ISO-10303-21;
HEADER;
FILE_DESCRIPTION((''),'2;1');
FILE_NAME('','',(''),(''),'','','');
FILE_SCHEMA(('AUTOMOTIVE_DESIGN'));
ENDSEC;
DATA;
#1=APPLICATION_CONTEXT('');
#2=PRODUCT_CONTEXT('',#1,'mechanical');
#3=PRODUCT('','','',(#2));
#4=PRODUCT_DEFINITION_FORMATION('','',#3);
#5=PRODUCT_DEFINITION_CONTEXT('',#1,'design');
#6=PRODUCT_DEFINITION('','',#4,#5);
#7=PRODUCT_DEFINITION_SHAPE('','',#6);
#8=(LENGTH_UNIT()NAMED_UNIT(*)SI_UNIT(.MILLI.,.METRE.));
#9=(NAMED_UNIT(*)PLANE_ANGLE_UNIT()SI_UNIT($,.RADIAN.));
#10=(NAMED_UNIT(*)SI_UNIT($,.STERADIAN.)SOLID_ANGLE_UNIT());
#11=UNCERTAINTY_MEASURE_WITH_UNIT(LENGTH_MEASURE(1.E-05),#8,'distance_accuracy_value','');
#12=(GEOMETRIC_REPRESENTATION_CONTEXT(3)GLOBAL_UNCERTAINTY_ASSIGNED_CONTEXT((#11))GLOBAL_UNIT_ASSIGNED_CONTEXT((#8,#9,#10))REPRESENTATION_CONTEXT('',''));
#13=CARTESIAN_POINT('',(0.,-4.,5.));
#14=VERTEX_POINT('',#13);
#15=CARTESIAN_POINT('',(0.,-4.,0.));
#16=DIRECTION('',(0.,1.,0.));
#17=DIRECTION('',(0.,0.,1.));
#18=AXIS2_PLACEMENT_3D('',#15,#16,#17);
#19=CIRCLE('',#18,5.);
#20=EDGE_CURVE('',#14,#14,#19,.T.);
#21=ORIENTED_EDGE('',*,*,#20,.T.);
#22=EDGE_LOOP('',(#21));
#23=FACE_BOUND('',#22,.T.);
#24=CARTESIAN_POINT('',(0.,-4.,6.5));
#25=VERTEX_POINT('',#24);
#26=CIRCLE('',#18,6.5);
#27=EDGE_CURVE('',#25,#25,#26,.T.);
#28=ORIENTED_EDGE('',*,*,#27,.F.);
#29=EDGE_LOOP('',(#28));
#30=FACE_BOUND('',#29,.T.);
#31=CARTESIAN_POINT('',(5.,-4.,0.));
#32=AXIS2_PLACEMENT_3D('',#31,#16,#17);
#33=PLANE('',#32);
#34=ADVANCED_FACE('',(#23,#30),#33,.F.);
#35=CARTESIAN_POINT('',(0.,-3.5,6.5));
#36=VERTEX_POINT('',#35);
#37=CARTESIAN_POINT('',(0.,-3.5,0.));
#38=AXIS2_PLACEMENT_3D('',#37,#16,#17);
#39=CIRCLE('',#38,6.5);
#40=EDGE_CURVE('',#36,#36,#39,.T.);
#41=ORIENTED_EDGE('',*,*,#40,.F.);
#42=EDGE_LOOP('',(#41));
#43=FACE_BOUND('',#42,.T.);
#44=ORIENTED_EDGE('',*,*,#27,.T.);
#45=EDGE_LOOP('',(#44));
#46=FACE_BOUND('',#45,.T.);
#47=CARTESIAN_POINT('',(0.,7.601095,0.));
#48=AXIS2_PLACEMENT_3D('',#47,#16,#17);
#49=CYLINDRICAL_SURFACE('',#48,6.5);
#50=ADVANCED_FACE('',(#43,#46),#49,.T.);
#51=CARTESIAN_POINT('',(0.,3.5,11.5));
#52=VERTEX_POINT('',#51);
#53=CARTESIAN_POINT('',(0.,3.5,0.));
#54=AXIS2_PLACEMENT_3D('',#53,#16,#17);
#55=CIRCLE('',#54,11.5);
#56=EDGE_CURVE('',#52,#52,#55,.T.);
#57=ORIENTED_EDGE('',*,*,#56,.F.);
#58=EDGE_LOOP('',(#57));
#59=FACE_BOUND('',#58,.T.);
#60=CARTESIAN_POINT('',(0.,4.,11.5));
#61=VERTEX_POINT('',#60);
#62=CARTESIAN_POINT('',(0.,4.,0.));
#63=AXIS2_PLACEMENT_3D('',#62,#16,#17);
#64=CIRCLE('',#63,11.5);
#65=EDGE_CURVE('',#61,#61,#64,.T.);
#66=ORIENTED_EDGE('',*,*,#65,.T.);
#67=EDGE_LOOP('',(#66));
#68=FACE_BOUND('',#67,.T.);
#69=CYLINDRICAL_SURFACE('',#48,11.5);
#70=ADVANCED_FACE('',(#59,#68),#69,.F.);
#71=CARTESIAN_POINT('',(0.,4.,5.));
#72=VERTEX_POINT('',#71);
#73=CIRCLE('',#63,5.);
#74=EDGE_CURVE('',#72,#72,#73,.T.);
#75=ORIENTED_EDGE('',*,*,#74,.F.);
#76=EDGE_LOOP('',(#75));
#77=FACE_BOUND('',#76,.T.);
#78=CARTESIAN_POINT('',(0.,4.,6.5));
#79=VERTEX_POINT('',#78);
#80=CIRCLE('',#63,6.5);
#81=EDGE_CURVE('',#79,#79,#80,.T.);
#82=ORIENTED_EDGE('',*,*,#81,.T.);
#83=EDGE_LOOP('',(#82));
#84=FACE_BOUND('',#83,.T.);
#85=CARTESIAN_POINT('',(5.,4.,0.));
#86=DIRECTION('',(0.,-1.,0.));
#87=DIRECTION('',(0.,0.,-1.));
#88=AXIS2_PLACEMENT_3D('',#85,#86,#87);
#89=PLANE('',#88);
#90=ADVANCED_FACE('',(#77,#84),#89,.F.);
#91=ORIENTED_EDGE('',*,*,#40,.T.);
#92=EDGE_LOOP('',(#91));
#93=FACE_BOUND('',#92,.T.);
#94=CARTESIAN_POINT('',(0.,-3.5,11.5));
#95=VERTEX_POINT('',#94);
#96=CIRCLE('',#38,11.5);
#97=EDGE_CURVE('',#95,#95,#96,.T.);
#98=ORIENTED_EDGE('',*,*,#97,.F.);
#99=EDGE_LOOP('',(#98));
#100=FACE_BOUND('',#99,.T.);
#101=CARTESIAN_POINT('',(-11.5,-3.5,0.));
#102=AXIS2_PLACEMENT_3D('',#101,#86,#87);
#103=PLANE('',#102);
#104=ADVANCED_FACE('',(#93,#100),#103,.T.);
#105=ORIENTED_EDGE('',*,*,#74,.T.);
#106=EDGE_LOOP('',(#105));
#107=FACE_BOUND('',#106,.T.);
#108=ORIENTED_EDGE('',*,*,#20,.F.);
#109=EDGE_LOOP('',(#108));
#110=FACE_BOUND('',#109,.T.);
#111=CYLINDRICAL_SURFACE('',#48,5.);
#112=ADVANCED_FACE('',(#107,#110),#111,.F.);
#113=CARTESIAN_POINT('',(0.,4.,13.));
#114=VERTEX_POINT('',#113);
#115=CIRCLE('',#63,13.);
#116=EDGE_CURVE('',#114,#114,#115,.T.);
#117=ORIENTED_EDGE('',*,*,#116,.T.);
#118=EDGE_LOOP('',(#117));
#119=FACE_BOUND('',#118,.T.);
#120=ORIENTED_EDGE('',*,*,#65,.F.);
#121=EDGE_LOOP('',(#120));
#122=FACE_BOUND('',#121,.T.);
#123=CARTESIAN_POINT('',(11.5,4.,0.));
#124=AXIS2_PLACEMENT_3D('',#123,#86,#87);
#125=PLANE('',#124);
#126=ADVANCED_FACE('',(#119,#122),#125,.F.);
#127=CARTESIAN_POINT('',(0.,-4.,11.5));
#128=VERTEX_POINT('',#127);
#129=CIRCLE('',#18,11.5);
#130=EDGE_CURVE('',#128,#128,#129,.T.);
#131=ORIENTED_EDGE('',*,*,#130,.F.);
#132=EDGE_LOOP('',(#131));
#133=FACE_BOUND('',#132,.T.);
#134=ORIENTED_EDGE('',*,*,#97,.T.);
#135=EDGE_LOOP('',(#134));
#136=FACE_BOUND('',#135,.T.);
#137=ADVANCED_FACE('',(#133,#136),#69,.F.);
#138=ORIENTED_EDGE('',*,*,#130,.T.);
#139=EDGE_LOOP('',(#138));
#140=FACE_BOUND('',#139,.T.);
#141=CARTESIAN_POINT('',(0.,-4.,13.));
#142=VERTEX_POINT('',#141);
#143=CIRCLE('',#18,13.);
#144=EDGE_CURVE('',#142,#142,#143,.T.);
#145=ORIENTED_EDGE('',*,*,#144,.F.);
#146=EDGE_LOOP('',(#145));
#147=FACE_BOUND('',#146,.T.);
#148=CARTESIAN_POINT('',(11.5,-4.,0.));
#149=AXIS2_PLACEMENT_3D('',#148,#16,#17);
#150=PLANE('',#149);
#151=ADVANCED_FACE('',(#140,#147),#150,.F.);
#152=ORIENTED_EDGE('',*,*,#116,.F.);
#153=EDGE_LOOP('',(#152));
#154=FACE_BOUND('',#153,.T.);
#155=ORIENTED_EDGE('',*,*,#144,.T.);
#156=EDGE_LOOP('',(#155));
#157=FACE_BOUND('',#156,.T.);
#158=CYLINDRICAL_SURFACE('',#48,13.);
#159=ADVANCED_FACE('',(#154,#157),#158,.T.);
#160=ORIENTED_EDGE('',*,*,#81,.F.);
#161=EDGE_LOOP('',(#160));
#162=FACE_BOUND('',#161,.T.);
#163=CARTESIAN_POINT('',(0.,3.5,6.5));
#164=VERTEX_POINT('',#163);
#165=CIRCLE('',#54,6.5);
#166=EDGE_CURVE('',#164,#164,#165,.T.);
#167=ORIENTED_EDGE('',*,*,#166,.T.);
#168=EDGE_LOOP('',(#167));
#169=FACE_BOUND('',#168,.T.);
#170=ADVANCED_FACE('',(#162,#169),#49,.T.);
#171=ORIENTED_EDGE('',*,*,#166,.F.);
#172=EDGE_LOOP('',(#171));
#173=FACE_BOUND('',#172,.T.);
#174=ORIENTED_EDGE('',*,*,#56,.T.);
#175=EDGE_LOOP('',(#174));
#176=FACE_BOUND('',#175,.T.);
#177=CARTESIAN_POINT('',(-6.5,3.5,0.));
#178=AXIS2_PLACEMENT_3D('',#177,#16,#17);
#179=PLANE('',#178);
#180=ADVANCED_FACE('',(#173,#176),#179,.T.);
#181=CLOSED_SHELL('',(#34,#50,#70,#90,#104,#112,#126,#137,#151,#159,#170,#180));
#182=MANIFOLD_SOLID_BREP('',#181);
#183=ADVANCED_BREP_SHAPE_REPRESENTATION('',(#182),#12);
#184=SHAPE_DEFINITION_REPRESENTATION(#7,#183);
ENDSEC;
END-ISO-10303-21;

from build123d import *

# Parameters (mm, degrees)
ESBO_O1_W = 1.5
ESBO_O1_H = 8
ESBO_O4_W = 5
ESBO_O4_H = 7


with BuildPart() as part:
    # Esboço1 → Revolução1 (revolve)
    with BuildSketch(Plane.XY, mode=Mode.PRIVATE) as revolu_o1_sk:
        with Locations((5.75, 0)):
            Rectangle(ESBO_O1_W, ESBO_O1_H)
        with Locations((12.25, 0)):
            Rectangle(ESBO_O1_W, ESBO_O1_H)
    revolve(revolu_o1_sk.sketch.rotate(Axis((0, 7.601094967, 0), (0, -1, 0)), 90), axis=Axis((0, 7.601094967, 0), (0, -1, 0)))

    # Esboço4 → Revolução2 (revolve)
    with BuildSketch(Plane.XY, mode=Mode.PRIVATE) as revolu_o2_sk:
        with Locations((-9, 0)):
            Rectangle(ESBO_O4_W, ESBO_O4_H)
    revolve(revolu_o2_sk.sketch.rotate(Axis((0, 5.982287702, 0), (0, -1, 0)), 270), axis=Axis((0, 5.982287702, 0), (0, -1, 0)))


solid = part.part
